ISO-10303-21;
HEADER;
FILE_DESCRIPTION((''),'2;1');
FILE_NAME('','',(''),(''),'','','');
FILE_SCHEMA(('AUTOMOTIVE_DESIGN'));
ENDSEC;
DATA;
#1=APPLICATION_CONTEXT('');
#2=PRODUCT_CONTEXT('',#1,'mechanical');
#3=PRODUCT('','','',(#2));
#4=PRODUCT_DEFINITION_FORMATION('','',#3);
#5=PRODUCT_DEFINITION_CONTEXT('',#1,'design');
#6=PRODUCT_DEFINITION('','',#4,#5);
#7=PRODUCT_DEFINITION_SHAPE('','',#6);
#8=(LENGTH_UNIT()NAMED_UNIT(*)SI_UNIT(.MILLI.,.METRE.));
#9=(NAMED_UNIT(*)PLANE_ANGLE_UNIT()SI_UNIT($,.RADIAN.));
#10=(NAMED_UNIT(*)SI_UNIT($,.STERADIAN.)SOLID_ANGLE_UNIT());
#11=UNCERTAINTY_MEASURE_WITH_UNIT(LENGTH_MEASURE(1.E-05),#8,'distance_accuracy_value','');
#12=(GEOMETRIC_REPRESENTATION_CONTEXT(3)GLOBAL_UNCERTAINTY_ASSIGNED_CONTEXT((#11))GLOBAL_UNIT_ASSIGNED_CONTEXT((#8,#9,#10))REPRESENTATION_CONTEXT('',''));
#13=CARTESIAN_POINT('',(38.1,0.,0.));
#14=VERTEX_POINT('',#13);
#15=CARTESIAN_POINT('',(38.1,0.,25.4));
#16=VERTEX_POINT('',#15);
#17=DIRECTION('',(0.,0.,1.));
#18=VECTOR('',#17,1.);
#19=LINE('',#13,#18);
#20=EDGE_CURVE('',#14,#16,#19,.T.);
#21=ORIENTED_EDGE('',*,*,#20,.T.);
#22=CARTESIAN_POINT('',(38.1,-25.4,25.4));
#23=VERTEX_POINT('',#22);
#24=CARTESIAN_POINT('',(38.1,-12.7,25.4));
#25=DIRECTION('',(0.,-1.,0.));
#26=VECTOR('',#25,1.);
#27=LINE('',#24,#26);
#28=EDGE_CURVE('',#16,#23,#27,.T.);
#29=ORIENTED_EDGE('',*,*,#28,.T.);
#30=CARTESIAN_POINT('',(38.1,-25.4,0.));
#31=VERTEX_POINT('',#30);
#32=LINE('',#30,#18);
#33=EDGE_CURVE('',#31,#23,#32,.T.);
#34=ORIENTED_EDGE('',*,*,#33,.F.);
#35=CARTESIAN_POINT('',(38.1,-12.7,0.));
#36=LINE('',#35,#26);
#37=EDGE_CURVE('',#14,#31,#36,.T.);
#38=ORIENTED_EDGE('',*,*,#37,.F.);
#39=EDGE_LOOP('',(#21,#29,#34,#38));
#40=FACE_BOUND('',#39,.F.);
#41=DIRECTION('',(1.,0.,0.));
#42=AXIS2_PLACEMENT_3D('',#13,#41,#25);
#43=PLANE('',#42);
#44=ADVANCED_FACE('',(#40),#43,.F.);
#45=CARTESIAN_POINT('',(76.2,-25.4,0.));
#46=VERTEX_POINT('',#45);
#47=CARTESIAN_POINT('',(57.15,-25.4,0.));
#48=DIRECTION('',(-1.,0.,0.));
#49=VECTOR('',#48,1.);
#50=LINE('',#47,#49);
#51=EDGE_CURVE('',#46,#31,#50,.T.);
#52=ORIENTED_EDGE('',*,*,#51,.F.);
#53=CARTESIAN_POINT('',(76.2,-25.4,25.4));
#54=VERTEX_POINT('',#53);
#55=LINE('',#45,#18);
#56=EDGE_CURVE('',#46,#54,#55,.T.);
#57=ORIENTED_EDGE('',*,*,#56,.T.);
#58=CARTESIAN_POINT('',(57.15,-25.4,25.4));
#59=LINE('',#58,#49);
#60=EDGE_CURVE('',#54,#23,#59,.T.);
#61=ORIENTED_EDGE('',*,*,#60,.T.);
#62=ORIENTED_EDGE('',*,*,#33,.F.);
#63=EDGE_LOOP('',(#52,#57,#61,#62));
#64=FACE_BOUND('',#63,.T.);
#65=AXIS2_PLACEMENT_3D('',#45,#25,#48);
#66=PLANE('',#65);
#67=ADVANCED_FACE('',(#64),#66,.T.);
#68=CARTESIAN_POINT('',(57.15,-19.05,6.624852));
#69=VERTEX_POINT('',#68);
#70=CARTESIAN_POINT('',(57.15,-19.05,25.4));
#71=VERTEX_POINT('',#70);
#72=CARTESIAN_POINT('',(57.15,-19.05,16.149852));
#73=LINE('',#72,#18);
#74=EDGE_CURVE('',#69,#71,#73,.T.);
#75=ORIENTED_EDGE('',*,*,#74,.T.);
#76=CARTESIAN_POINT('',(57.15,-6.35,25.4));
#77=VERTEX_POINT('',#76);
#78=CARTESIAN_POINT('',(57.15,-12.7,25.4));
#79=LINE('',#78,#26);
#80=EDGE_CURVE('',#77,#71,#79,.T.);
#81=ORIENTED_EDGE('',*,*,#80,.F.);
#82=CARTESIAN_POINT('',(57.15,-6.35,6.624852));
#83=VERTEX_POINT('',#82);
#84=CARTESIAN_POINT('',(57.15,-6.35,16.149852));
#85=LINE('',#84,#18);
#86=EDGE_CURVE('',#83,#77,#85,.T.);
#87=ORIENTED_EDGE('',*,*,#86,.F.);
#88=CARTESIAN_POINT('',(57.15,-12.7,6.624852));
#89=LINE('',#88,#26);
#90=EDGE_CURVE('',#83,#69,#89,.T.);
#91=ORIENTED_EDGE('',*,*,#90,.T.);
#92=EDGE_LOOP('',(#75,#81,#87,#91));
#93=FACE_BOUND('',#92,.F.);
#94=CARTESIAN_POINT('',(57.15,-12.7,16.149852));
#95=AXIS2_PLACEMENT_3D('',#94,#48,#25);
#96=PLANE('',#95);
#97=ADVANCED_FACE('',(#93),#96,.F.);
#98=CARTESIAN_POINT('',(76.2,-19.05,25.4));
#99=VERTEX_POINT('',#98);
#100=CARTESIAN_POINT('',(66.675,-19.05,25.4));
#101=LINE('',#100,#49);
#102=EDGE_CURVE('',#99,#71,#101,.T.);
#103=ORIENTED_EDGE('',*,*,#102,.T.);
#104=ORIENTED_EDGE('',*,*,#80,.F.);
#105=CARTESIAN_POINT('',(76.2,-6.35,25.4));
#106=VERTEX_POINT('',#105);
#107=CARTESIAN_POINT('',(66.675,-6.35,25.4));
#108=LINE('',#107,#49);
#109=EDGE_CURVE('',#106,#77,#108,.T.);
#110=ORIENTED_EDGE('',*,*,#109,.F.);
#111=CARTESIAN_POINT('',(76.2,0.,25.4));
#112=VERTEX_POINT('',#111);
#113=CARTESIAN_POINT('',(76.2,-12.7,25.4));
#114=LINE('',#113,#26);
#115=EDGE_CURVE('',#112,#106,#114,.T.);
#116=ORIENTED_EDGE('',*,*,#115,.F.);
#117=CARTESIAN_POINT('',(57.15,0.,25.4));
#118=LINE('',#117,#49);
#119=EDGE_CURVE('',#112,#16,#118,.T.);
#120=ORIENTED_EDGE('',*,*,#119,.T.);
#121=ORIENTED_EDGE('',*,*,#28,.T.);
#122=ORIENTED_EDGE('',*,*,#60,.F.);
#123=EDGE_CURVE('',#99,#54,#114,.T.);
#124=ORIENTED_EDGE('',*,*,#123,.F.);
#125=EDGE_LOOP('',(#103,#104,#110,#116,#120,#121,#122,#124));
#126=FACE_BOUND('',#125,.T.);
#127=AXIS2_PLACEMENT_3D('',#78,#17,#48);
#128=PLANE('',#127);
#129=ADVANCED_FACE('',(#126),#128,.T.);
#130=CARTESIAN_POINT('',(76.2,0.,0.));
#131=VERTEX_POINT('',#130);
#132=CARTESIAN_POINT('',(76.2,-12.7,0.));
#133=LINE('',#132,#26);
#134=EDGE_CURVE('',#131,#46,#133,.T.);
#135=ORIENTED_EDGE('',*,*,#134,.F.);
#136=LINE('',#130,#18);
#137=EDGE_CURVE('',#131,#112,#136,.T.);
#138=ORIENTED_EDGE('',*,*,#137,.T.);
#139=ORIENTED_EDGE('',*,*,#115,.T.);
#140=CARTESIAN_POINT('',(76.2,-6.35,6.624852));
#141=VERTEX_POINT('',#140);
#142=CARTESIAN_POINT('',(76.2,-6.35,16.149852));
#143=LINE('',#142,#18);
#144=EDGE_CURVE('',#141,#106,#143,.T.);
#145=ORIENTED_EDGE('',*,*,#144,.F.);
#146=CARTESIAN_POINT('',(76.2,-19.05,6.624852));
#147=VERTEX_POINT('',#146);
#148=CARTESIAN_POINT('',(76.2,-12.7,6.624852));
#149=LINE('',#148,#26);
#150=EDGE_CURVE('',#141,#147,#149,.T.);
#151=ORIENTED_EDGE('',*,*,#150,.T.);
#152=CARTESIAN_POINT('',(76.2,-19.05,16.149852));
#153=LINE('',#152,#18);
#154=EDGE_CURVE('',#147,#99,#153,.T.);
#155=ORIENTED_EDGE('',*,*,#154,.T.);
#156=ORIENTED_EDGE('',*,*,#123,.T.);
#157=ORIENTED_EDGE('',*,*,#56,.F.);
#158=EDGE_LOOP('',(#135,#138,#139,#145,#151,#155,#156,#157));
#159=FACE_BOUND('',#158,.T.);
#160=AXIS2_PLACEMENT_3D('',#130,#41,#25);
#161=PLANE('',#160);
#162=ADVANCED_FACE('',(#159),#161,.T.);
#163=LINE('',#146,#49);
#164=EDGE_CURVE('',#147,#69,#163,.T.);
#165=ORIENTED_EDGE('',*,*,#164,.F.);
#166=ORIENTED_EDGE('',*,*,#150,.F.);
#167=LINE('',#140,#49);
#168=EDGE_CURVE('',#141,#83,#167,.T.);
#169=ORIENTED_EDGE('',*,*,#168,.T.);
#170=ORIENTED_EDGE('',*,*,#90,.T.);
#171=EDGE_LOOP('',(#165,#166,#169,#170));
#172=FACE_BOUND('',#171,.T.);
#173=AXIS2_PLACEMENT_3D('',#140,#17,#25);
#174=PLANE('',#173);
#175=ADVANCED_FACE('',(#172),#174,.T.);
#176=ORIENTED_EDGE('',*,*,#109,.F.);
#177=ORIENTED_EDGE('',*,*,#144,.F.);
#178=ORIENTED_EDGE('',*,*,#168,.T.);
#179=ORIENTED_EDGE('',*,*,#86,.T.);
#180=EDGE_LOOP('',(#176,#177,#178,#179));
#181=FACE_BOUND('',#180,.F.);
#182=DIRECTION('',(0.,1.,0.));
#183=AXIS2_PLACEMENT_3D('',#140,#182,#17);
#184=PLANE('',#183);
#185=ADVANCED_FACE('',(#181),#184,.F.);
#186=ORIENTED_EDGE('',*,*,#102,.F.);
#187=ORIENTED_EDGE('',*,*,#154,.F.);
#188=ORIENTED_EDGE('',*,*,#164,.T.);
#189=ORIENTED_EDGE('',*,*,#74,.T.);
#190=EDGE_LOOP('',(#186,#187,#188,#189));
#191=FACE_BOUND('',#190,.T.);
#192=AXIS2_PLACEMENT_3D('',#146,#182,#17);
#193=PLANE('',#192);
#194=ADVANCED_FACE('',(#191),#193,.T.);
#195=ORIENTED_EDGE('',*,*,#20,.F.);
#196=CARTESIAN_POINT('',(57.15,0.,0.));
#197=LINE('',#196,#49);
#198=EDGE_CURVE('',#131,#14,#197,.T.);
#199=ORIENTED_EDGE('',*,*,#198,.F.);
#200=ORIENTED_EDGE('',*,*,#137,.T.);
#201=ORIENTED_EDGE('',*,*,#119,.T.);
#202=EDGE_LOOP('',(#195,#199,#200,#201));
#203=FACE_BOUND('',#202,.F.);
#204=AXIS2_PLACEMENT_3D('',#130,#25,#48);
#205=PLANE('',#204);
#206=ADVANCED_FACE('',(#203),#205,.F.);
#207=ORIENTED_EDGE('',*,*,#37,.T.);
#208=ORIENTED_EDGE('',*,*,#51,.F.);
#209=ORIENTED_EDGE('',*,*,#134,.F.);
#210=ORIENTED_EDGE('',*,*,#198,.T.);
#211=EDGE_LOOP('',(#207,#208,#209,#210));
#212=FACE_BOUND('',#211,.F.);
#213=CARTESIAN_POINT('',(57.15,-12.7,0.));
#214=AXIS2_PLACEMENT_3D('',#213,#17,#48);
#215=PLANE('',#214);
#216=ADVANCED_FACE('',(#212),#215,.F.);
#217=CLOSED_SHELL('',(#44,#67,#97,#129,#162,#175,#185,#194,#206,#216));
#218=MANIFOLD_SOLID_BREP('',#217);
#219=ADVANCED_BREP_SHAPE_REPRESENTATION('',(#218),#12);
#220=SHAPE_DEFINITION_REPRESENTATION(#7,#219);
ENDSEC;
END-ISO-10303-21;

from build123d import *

# Parameters (mm, degrees)
F0_W     = 38.1
F0_H     = 25.4
F1_DEPTH = 25.4
F2_W     = 12.7
F2_H     = 19.05
F3_DEPTH = 19.05
F4_ANGLE = 180


with BuildPart() as f1:
    # F0 (on Top) → F1 (new body)
    with BuildSketch(Plane.XY):
        with Locations((19.05, 12.7)):
            Rectangle(F0_W, F0_H)
    extrude(amount=F1_DEPTH)

    # F2 (on Right) → F3 (cut)
    with BuildSketch(Plane.YZ):
        with Locations((12.7, 16.149852)):
            Rectangle(F2_W, F2_H)
    extrude(amount=F3_DEPTH, mode=Mode.SUBTRACT)


with BuildPart() as f1_1:
    # F4: moved
    add(f1.part.rotate(Axis((38.1, 0, 12.7), (0, 0, 1)), F4_ANGLE))


solid = f1_1.part
